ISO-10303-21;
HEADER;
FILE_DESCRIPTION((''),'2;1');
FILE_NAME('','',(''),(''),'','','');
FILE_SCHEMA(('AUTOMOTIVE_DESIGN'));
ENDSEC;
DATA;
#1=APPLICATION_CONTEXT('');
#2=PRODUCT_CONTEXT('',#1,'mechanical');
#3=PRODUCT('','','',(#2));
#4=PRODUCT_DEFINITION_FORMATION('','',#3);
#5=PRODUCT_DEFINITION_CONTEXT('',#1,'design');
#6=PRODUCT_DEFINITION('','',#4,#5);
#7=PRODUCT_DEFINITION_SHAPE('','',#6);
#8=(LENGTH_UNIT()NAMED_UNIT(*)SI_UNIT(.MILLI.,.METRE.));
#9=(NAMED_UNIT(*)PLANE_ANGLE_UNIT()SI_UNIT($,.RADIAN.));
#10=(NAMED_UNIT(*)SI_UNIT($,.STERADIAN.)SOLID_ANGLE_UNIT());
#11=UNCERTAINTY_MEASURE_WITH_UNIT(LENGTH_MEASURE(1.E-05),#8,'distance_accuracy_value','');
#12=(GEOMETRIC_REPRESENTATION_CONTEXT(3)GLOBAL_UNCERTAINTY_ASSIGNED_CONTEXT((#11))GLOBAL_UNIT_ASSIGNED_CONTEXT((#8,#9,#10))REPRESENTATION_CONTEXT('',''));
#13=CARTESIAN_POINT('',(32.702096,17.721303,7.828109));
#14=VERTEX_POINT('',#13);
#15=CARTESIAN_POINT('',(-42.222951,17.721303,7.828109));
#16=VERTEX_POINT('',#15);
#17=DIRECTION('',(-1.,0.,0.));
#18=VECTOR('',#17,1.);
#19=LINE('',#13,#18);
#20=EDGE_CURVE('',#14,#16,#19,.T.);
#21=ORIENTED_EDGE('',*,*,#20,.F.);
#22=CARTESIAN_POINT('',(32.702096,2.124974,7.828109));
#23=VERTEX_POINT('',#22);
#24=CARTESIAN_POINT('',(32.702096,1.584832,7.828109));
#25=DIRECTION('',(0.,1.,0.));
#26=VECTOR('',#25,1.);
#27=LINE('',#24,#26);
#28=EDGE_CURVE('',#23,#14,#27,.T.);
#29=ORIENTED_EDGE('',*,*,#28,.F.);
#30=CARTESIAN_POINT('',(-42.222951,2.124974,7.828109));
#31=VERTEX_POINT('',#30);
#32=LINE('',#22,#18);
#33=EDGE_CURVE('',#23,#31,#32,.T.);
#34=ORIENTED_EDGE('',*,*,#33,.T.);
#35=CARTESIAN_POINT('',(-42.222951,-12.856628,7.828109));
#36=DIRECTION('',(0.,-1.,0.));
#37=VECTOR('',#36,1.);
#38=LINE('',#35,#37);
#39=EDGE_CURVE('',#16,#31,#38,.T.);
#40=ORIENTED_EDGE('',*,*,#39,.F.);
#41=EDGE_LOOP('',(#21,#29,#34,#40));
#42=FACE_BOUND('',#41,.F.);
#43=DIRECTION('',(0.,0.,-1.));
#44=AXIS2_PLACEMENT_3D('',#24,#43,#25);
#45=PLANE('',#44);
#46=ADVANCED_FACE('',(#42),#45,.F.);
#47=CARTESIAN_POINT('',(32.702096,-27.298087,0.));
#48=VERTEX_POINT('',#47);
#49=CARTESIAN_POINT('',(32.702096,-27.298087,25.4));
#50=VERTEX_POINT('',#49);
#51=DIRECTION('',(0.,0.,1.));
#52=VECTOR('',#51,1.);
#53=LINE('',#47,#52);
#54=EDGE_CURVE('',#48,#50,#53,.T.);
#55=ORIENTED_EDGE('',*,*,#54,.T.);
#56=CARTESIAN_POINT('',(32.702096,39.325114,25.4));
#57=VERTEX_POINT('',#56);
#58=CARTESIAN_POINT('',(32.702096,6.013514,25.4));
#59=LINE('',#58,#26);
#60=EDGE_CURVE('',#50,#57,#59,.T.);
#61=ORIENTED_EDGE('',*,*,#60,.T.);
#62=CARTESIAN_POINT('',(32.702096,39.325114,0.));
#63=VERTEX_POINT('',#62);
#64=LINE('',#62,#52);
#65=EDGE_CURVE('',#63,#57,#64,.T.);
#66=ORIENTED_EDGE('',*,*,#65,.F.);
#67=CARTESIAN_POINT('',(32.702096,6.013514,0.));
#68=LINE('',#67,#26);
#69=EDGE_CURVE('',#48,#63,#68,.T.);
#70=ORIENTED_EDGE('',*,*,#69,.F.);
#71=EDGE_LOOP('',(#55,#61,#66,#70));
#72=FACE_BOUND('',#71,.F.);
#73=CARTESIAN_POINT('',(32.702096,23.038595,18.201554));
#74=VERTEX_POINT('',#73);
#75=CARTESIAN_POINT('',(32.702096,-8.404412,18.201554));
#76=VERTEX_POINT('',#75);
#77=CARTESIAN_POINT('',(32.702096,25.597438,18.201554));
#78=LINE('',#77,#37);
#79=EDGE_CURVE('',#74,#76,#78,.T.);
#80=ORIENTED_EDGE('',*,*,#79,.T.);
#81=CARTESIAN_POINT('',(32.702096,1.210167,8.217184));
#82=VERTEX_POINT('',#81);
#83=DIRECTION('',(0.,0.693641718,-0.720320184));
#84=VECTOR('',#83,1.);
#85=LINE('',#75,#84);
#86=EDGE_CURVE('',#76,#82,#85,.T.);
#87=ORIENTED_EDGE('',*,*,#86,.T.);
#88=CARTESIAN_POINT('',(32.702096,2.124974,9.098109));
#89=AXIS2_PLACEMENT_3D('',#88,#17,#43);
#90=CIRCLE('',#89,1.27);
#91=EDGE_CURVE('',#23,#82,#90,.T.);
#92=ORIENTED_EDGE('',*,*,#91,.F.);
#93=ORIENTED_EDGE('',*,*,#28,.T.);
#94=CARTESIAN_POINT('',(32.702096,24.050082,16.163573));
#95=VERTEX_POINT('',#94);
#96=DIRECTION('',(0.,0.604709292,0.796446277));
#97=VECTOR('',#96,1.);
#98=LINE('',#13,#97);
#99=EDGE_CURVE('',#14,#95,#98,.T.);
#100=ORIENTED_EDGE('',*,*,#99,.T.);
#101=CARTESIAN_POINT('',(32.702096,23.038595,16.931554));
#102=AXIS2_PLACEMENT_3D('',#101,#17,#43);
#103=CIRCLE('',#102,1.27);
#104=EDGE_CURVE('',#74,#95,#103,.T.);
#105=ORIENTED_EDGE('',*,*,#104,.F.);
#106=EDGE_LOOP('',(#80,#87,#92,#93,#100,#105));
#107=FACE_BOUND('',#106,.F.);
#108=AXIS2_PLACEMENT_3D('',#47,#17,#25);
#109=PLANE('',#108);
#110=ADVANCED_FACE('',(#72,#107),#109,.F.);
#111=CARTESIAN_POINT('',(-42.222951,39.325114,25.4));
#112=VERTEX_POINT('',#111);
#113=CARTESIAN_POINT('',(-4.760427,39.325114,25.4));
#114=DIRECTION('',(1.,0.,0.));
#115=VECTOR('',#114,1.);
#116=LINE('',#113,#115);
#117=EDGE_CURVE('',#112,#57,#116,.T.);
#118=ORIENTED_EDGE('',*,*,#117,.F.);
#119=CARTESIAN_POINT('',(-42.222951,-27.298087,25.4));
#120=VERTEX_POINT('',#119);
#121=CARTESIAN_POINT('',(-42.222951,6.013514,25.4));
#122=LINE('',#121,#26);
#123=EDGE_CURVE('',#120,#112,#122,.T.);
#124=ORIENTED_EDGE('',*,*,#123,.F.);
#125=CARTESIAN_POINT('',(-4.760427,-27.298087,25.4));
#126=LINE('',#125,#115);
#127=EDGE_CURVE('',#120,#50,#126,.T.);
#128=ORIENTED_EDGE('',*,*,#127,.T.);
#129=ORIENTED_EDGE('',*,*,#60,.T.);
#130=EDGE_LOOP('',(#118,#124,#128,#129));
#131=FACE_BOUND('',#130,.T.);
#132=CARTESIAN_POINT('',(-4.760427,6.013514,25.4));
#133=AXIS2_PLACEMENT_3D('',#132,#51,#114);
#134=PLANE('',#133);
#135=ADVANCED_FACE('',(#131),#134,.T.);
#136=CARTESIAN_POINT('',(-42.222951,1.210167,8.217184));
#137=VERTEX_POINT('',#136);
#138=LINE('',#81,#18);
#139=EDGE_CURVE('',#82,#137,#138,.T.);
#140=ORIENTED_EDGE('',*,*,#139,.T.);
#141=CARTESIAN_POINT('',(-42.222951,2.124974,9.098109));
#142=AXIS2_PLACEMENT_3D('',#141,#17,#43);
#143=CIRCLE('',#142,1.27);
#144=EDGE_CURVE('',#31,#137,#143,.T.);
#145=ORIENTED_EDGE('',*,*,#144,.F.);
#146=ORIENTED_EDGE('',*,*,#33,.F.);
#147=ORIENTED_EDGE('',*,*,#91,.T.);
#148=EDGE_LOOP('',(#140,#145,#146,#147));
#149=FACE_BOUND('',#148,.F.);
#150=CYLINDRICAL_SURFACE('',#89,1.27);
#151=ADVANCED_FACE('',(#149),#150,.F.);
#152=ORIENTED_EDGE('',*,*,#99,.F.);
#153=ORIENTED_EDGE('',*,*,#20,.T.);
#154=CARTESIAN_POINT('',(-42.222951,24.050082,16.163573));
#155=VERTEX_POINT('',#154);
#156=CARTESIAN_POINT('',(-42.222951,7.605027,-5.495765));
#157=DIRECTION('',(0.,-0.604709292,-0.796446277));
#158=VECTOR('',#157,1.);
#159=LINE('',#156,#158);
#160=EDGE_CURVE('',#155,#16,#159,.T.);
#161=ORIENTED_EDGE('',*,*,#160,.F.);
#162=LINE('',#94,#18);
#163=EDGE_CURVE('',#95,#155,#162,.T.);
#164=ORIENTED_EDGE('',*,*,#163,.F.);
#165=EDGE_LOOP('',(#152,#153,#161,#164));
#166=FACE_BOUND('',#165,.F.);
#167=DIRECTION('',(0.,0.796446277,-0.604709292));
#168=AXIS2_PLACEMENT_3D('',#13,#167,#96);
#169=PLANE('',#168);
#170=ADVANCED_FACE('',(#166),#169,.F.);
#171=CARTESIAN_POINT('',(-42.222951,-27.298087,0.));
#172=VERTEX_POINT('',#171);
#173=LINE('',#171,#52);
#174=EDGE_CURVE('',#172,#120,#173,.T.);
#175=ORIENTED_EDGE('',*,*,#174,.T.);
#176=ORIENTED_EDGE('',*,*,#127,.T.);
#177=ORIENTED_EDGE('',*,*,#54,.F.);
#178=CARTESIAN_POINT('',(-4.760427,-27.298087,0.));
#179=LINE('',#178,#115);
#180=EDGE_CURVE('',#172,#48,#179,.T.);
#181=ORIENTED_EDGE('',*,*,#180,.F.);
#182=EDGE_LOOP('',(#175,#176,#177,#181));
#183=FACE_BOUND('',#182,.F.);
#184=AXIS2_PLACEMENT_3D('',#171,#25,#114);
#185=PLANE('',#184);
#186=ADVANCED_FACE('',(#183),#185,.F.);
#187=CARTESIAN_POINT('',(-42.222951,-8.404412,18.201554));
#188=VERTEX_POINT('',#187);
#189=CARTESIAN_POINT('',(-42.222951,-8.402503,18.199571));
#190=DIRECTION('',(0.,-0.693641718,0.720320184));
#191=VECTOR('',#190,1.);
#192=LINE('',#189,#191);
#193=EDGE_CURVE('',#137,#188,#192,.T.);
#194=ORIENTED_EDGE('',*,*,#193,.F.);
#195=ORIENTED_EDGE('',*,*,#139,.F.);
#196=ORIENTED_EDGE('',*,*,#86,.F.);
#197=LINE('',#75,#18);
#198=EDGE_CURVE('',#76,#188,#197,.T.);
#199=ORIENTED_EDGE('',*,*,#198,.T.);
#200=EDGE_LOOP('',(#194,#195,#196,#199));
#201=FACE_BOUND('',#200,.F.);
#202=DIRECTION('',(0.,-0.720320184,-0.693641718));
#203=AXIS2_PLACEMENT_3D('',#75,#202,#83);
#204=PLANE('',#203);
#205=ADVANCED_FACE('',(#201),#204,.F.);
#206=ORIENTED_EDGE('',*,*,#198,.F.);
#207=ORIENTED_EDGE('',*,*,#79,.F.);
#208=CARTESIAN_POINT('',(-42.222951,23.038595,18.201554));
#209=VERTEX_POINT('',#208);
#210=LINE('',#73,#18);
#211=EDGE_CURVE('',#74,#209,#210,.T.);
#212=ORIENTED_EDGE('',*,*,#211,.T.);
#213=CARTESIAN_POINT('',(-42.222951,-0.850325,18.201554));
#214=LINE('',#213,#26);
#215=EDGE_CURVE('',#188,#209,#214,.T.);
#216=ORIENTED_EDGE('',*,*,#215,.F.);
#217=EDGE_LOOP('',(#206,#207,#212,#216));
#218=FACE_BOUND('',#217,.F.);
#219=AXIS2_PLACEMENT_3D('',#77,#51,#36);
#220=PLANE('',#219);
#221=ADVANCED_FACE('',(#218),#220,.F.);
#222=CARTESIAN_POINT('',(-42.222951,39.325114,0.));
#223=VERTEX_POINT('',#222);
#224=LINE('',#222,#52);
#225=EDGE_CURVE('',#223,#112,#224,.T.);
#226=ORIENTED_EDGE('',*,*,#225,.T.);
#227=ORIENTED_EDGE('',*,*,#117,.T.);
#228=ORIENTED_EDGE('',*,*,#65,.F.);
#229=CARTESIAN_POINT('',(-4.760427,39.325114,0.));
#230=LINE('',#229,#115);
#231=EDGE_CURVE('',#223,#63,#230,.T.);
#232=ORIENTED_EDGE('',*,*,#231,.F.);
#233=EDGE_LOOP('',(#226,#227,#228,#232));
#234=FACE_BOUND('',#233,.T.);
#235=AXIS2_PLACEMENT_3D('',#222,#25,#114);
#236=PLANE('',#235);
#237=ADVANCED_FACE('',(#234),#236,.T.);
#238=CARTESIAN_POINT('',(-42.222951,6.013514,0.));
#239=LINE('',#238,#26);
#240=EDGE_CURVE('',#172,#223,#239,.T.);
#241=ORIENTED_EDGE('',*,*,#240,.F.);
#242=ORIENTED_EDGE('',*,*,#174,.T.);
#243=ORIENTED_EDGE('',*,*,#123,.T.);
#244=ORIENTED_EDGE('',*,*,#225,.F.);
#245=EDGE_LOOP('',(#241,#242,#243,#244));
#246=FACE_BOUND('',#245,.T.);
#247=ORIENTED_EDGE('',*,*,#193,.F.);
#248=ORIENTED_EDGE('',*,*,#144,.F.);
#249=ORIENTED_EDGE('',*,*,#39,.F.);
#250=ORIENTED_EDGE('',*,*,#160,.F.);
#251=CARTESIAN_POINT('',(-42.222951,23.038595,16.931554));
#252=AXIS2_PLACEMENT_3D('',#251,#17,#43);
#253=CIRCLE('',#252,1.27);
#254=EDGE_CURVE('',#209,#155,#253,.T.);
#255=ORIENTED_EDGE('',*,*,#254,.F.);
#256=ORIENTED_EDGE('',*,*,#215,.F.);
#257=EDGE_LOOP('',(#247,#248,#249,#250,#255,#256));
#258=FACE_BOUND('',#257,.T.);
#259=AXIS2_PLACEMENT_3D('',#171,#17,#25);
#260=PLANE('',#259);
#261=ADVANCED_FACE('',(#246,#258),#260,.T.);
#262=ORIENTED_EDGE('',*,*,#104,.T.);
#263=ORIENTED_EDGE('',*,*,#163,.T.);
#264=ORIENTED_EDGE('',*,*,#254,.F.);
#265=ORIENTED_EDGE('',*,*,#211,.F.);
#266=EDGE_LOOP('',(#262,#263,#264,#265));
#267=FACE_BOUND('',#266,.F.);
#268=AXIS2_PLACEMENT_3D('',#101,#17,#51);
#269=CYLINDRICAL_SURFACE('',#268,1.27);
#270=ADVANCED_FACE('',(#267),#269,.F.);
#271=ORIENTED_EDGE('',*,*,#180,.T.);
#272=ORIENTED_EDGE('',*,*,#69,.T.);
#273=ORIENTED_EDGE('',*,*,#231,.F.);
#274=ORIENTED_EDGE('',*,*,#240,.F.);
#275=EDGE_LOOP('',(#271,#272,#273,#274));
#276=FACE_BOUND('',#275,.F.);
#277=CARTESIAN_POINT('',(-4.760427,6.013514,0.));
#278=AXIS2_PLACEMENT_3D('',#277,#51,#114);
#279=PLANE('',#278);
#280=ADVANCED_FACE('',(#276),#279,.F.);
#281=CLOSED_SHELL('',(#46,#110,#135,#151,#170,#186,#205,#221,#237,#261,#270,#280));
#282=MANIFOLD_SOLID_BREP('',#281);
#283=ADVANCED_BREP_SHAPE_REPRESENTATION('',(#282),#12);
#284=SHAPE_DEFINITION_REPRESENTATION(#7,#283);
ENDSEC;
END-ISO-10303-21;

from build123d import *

# Parameters (mm, degrees)
F0_W     = 74.9250464141
F0_H     = 66.6232015938
F1_DEPTH = 25.4
F3_DEPTH = 84.074
F4_R     = 1.27


with BuildPart() as f1:
    # F0 (on Top) → F1 (new body)
    with BuildSketch(Plane.XY):
        with Locations((-4.7604274005, 6.0135135427)):
            Rectangle(F0_W, F0_H)
    extrude(amount=F1_DEPTH)

    # F2 (on face) → F3 (cut)
    with BuildSketch(Plane.YZ.offset(32.7020958066)):
        Polygon((25.5974382162, 18.2015541941), (-8.4044123068, 18.2015541941), (1.5848320909, 7.8281089664), (17.7213028073, 7.8281089664), align=None)
    extrude(amount=-F3_DEPTH, mode=Mode.SUBTRACT)

    # F4
    f4_edges = [f1.edges().sort_by_distance(p)[0] for p in [
        (-4.760427, 1.584832, 7.828109),
        (-4.760427, 25.597438, 18.201554),
    ]]
    fillet(f4_edges, radius=F4_R)


solid = f1.part
